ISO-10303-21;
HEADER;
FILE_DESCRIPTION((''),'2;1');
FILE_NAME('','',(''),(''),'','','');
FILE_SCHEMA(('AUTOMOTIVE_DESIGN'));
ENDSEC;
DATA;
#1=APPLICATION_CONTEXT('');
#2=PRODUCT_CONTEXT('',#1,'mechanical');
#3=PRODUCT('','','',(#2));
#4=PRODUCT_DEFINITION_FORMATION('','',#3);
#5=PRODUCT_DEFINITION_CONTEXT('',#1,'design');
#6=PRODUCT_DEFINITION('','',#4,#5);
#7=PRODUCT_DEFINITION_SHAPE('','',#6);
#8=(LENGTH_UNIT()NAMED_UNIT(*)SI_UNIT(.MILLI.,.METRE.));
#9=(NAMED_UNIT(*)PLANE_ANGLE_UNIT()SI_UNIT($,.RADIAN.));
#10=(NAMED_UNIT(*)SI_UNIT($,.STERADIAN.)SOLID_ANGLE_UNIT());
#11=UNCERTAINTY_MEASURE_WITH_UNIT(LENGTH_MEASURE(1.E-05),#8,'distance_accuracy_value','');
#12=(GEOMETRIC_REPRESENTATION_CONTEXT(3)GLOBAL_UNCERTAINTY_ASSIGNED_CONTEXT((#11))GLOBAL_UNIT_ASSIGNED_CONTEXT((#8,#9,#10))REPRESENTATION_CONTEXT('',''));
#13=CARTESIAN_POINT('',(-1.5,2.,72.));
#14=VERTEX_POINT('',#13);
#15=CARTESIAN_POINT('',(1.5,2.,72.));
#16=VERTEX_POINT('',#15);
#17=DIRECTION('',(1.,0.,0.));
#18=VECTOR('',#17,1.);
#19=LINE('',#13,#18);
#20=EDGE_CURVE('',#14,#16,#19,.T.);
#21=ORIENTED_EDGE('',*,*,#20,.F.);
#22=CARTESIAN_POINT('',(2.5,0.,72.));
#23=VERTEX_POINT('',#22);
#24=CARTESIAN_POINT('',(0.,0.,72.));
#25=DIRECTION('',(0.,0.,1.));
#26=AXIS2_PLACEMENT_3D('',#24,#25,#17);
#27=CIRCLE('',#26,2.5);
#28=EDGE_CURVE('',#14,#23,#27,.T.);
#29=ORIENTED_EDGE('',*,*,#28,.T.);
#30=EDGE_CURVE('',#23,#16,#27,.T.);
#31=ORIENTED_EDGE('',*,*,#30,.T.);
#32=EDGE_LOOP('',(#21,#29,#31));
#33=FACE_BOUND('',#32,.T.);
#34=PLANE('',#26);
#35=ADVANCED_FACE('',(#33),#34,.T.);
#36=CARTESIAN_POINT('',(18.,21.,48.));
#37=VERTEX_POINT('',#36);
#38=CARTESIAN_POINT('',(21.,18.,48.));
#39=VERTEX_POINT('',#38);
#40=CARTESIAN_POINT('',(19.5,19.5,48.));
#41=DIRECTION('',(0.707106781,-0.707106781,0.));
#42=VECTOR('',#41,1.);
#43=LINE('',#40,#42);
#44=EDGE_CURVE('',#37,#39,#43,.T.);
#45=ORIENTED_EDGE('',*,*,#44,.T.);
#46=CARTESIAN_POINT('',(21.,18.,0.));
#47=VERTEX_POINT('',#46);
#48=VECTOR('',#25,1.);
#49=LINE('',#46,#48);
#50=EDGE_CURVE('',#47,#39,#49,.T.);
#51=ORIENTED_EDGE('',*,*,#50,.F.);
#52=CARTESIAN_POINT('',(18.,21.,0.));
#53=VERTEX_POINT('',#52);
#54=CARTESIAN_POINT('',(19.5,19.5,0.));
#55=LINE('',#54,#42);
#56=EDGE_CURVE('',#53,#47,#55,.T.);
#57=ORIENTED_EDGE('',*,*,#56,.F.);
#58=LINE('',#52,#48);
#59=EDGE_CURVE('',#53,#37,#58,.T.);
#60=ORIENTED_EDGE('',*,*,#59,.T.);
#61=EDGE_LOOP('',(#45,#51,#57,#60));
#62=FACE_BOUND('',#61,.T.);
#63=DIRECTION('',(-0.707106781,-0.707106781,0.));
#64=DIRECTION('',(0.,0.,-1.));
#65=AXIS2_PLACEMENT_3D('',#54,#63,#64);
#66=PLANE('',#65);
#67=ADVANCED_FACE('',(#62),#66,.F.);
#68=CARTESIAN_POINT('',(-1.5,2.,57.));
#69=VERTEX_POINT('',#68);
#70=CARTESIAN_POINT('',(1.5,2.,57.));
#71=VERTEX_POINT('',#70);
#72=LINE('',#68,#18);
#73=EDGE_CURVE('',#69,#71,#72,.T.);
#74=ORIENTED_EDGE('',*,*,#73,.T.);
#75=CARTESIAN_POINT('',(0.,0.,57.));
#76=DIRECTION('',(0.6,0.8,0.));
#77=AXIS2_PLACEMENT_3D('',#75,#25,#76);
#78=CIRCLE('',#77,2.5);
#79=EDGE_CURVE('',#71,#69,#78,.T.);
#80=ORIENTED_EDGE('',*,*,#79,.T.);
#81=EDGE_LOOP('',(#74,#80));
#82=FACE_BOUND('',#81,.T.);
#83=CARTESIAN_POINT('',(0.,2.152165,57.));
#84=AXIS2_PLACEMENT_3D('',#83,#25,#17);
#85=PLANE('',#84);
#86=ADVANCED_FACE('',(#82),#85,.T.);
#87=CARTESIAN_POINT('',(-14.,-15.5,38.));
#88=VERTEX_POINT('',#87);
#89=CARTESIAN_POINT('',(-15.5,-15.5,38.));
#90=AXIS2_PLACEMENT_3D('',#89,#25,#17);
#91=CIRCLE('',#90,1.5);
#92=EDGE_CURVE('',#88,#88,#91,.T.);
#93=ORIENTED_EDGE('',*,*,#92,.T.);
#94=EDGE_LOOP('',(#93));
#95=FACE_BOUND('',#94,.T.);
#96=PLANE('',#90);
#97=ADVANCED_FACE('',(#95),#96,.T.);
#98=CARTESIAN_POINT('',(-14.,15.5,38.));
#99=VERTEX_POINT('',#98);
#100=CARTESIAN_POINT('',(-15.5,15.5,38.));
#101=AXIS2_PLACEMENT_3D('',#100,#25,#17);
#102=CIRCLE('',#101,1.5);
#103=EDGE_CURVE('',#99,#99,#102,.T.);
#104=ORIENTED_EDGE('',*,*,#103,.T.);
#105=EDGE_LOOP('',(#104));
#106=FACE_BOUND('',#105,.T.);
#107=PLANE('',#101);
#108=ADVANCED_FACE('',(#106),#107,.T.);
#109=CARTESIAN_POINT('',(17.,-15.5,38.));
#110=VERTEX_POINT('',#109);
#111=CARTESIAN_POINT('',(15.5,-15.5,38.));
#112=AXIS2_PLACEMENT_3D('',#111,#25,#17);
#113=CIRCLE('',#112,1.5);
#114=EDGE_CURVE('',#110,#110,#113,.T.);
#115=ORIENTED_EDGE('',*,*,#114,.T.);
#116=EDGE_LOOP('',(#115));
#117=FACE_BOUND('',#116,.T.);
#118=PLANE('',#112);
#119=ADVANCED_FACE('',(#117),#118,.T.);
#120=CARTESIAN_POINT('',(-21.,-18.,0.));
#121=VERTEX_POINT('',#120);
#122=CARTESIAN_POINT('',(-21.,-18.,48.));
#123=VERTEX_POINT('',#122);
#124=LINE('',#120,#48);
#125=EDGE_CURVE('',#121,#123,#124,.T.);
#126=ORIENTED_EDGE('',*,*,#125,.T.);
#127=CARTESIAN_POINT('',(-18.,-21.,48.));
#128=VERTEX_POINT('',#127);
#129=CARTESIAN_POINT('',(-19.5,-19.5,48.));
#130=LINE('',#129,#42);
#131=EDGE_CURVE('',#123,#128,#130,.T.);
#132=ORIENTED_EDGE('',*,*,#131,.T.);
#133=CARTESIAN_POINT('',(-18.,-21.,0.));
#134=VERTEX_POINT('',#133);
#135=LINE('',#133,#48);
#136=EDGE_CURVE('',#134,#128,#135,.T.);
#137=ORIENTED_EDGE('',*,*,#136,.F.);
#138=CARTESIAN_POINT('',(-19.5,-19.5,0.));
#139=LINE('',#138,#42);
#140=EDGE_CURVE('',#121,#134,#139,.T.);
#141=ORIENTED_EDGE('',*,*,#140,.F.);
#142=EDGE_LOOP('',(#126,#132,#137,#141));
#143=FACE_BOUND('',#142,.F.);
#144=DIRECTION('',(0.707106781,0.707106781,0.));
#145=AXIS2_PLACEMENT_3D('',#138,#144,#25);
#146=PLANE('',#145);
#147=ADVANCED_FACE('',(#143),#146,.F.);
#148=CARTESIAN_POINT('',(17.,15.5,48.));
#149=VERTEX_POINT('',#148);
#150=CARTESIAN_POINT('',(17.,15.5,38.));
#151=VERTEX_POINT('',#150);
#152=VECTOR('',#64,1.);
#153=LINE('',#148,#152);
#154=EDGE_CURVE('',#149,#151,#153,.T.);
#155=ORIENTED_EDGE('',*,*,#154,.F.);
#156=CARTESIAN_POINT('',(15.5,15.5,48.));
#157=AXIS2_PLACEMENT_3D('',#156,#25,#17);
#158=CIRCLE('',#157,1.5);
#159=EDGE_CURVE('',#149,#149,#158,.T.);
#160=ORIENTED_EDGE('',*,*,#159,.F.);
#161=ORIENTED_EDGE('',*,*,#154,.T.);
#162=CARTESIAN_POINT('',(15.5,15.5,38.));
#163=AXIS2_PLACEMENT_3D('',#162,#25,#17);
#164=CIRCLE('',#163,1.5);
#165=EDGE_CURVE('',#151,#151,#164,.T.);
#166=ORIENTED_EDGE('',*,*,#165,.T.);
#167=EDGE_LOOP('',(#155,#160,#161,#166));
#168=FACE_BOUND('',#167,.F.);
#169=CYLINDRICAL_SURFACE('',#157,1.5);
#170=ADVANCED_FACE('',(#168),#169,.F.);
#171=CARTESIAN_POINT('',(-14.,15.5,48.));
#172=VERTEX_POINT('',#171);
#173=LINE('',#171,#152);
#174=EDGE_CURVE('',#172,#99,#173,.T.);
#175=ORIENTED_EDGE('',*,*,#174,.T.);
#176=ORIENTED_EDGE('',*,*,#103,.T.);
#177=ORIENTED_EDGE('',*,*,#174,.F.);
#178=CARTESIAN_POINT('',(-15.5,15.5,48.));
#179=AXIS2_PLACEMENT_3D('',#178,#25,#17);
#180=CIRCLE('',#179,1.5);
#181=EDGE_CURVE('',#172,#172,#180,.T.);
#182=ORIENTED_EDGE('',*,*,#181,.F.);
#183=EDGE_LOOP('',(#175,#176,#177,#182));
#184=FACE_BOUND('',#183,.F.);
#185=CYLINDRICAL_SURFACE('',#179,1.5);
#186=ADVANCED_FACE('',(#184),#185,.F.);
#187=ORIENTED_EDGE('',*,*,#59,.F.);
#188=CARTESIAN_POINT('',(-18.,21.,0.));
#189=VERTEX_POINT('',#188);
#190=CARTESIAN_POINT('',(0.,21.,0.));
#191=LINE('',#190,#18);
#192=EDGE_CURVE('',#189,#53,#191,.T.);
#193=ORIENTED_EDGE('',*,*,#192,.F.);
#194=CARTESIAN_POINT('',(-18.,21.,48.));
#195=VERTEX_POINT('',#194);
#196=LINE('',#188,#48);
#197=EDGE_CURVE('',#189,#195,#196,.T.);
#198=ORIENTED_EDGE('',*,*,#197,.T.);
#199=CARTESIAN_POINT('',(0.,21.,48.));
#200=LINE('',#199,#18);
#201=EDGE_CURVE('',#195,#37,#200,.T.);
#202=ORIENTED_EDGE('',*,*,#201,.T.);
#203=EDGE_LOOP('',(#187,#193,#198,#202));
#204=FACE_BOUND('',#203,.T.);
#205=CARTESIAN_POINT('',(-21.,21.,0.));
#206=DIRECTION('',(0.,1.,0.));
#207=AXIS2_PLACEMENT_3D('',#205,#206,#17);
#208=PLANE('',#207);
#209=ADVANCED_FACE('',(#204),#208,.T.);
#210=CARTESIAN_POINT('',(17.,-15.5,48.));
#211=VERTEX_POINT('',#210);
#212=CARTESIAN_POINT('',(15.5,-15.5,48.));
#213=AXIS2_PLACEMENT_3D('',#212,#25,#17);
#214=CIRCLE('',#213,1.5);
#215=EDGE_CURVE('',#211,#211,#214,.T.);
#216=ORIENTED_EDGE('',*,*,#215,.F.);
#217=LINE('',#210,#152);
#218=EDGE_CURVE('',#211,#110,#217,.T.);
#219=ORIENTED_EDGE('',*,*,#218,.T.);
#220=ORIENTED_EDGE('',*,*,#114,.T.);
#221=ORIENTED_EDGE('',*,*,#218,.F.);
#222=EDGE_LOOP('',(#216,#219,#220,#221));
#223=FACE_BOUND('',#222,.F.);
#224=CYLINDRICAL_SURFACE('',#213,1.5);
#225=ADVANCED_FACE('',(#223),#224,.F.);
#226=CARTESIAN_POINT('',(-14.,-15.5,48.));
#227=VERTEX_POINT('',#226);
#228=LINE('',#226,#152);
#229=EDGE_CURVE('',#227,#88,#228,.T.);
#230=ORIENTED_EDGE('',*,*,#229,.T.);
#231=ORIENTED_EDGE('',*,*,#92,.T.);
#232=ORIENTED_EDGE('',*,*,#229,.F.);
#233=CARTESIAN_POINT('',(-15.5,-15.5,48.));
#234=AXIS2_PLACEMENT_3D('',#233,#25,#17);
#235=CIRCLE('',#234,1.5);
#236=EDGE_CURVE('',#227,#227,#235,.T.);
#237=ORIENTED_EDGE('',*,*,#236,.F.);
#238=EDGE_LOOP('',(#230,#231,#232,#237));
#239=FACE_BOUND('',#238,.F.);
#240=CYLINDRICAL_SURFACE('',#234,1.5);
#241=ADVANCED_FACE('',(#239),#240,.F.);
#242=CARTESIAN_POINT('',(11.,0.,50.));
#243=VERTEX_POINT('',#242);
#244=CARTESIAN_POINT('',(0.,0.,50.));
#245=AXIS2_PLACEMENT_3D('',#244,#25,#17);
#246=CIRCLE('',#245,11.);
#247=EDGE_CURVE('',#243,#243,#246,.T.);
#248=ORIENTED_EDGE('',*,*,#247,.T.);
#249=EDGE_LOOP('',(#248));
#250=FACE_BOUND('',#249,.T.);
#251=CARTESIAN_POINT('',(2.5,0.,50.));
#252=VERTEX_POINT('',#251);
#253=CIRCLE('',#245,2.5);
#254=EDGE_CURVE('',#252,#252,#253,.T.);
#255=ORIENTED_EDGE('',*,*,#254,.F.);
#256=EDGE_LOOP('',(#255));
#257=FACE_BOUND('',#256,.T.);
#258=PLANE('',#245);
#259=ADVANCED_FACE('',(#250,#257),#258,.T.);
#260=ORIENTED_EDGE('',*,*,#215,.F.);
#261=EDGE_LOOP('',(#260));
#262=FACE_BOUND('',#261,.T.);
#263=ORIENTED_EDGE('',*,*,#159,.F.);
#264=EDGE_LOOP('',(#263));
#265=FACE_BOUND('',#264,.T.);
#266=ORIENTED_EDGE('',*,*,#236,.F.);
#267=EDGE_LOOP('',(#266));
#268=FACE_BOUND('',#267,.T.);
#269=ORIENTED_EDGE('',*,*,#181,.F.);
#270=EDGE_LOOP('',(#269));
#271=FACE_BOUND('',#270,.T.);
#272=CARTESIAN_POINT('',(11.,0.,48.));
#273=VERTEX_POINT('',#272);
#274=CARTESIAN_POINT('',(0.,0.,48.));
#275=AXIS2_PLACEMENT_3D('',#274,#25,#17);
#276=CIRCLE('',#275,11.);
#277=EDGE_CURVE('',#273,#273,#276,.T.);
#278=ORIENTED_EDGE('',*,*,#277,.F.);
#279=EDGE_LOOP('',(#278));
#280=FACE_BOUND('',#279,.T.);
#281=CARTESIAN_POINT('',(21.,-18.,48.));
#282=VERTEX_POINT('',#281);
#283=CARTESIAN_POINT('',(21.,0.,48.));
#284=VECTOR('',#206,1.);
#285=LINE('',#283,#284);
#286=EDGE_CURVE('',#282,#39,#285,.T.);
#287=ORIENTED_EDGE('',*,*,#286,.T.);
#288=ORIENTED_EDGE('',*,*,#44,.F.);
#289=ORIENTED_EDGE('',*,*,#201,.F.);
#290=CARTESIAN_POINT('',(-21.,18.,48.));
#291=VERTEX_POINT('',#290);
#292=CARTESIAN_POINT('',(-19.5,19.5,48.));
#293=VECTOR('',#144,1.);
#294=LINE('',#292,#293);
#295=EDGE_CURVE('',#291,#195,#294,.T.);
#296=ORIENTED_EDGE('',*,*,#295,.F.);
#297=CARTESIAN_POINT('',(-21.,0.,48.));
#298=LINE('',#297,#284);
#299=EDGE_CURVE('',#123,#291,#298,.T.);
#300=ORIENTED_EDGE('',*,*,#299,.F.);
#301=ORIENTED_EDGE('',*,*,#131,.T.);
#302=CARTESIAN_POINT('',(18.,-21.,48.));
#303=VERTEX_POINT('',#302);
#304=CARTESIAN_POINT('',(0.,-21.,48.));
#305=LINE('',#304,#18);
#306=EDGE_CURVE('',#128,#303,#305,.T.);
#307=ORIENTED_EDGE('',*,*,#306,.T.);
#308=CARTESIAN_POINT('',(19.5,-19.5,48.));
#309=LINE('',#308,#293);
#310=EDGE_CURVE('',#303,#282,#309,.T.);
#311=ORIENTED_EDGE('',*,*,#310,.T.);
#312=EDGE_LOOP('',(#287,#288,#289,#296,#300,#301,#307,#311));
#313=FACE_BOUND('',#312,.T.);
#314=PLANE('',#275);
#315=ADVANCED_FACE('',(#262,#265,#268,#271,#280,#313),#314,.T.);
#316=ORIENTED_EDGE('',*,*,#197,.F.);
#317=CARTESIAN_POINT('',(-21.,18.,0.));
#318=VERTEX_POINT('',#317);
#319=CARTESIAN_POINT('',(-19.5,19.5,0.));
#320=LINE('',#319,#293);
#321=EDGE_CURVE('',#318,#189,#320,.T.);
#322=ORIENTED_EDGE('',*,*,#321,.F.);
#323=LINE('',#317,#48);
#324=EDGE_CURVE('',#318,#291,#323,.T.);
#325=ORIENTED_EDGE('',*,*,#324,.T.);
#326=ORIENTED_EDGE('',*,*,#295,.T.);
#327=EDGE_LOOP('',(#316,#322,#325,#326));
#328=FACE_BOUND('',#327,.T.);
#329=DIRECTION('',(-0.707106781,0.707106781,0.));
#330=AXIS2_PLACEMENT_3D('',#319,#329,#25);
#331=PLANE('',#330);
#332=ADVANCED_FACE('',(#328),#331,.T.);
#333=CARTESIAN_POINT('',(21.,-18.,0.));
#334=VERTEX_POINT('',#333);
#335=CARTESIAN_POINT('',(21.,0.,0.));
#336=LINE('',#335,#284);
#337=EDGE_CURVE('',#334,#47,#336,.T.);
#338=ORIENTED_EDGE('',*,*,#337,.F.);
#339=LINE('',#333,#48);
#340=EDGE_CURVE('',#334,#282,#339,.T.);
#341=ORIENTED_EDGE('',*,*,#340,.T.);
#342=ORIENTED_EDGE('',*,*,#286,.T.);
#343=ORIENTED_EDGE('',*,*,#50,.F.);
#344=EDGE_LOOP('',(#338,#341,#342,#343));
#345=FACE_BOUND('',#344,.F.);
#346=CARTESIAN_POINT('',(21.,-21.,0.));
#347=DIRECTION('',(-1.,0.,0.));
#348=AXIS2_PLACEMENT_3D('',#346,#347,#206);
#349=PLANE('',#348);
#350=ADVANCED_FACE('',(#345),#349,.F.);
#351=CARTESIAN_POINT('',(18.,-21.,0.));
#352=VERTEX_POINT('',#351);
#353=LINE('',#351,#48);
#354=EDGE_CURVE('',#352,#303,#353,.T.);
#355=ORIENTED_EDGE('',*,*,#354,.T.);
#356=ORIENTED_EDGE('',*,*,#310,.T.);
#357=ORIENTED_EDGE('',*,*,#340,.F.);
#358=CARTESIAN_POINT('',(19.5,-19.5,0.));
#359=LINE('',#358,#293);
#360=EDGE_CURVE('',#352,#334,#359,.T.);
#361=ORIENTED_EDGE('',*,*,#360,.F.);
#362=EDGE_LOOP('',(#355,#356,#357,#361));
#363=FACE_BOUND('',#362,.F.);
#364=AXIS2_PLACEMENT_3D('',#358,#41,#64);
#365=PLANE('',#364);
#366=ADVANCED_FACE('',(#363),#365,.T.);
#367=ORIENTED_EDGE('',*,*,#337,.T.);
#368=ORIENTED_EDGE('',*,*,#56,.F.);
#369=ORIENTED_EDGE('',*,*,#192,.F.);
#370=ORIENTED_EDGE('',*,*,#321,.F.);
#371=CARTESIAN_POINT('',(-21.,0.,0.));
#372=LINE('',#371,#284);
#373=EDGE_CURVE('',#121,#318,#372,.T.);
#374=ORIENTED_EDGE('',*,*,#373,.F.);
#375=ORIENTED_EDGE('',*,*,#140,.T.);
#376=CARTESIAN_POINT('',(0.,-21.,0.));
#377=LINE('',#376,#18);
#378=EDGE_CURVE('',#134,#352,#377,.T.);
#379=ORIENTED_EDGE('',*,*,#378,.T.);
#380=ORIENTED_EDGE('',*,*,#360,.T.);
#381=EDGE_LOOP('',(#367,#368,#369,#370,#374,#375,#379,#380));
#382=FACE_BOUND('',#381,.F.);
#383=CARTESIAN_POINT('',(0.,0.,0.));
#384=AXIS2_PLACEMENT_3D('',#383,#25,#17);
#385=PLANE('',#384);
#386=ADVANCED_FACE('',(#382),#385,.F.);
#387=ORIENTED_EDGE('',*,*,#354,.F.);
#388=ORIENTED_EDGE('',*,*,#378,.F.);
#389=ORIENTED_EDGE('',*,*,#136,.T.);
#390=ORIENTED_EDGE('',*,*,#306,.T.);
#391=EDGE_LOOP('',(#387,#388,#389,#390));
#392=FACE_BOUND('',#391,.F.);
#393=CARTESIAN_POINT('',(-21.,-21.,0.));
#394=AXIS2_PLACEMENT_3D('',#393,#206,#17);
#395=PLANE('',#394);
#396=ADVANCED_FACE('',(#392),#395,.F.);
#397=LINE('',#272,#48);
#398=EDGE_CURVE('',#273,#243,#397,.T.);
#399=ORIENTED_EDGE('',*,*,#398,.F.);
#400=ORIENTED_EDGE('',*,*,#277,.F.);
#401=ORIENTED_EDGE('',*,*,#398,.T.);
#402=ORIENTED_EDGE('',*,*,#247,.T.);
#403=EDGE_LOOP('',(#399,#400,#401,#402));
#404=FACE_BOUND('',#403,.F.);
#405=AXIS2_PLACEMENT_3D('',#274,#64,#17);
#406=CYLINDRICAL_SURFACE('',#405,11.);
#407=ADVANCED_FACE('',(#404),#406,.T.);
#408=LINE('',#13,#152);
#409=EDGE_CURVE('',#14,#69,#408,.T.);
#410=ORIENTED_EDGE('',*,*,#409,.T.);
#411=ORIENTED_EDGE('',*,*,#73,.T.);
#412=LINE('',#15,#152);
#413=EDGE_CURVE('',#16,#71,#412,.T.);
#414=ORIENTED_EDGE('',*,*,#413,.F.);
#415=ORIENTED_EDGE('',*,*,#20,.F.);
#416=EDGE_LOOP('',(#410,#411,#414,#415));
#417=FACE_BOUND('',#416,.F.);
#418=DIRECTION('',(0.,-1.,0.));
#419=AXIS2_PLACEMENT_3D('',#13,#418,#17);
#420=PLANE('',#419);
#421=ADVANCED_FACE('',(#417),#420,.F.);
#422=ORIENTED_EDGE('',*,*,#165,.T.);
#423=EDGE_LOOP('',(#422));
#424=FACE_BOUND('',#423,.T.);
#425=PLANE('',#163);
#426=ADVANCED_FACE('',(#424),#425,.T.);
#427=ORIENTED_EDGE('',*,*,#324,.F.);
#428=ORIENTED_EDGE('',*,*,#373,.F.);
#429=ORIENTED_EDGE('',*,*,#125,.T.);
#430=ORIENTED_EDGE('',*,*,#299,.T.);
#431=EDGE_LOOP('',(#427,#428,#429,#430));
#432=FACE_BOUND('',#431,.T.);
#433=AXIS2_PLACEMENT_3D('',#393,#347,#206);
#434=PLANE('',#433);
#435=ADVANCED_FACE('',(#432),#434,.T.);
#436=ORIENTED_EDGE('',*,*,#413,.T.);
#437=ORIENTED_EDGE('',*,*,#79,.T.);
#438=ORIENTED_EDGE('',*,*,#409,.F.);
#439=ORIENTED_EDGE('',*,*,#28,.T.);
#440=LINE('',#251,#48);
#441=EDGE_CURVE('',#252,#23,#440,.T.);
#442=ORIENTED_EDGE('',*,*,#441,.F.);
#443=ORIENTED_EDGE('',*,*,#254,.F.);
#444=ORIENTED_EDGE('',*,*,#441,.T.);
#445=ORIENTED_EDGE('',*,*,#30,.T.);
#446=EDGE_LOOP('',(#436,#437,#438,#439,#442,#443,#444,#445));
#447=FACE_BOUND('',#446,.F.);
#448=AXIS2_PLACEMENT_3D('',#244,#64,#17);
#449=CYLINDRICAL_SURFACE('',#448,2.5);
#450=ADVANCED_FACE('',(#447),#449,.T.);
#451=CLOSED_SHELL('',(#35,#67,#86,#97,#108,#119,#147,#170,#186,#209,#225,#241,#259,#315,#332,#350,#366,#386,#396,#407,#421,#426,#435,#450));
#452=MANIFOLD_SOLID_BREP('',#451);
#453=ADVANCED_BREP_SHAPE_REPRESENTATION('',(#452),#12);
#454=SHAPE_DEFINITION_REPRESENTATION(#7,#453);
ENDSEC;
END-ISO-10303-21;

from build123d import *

# Parameters (mm, degrees)
F0_W     = 42
F0_H     = 42
F1_DEPTH = 48
F2_R     = 1.5
F3_DEPTH = 10
F2_R_2   = 11
F4_DEPTH = 2
F5_R     = 2.5
F6_DEPTH = 22
F8_DEPTH = 15
F9_SIZE  = 3


with BuildPart() as f1:
    # F0 (on Top) → F1 (new body)
    with BuildSketch(Plane.XY):
        Rectangle(F0_W, F0_H)
    extrude(amount=F1_DEPTH)

    # F2 (on face) → F3 (cut)
    with BuildSketch(Plane.XY.offset(48)):
        with Locations((-15.5, -15.5)):
            Circle(F2_R)
        with Locations((-15.5, 15.5)):
            Circle(F2_R)
        with Locations((15.5, 15.5)):
            Circle(F2_R)
        with Locations((15.5, -15.5)):
            Circle(F2_R)
    extrude(amount=-F3_DEPTH, mode=Mode.SUBTRACT)

    # F2 (on face) → F4 (join)
    with BuildSketch(Plane.XY.offset(48)):
        Circle(F2_R_2)
    extrude(amount=F4_DEPTH)

    # F5 (on face) → F6 (join)
    with BuildSketch(Plane.XY.offset(50)):
        Circle(F5_R)
    extrude(amount=F6_DEPTH)

    # F7 (on face) → F8 (cut)
    with BuildSketch(Plane.XY.offset(72)):
        with BuildLine():
            ThreePointArc((1.5, 2), (0, 2.5), (-1.5, 2))
            Line((-1.5, 2), (1.5, 2))
        make_face()
    extrude(amount=-F8_DEPTH, mode=Mode.SUBTRACT)

    # F9
    f9_edges = [f1.edges().sort_by_distance(p)[0] for p in [
        (21, -21, 24),
        (21, 21, 24),
        (-21, -21, 24),
        (-21, 21, 24),
    ]]
    chamfer(f9_edges, length=F9_SIZE)


solid = f1.part
